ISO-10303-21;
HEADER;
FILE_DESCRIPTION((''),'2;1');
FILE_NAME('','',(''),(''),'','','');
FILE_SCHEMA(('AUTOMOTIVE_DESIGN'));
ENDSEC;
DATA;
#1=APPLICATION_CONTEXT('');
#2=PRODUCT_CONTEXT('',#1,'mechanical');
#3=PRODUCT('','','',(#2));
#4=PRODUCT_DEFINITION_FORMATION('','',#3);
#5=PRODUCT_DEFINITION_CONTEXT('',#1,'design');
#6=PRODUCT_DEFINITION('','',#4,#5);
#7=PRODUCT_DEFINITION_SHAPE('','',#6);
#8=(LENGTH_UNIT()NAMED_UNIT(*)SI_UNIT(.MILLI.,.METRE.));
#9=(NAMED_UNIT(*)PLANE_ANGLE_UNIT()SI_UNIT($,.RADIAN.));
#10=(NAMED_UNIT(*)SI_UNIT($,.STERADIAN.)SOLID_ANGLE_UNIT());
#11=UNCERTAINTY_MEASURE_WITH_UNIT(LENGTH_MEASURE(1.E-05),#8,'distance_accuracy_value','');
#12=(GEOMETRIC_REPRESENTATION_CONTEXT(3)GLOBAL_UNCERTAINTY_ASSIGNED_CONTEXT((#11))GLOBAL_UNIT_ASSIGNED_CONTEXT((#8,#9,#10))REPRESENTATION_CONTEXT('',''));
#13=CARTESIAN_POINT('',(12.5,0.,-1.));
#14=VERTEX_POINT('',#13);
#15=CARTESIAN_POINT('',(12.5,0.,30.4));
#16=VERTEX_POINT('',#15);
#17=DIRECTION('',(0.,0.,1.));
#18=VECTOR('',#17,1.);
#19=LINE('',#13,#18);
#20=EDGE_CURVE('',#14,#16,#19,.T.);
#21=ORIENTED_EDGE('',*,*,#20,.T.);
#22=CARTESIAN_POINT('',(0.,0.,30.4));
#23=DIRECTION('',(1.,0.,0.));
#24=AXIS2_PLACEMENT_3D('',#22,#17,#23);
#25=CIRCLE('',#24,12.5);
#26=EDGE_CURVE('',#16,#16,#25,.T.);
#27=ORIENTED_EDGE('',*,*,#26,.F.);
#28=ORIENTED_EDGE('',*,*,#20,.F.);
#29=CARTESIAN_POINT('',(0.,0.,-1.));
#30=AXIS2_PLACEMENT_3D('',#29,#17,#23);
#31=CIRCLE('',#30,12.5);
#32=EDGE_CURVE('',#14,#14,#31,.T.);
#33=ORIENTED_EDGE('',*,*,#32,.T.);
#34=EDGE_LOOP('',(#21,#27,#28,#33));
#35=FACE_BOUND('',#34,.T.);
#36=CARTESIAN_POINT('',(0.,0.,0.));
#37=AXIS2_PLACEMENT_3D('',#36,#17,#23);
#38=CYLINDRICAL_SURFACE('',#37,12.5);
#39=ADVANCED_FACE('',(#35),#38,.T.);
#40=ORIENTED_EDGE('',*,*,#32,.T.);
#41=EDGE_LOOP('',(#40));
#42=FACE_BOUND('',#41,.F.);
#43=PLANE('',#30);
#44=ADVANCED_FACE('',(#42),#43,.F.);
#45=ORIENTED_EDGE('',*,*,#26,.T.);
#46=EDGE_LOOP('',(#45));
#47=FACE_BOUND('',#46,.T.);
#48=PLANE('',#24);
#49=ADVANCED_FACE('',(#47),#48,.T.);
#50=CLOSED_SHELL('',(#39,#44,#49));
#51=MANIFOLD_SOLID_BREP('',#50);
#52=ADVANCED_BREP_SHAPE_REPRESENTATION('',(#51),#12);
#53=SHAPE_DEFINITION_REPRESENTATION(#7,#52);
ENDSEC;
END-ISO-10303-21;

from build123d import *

# Parameters (mm, degrees)
SKETCH002_R       = 12.5
PAD002_DEPTH      = 30.4
PAD002_DEPTH_BACK = 1


with BuildPart() as part:
    # Sketch002 → Pad002 (new body, two sides)
    with BuildSketch(Plane.XY) as pad002_sk:
        Circle(SKETCH002_R)
    extrude(amount=PAD002_DEPTH)
    extrude(pad002_sk.sketch, amount=-PAD002_DEPTH_BACK)


solid = part.part
